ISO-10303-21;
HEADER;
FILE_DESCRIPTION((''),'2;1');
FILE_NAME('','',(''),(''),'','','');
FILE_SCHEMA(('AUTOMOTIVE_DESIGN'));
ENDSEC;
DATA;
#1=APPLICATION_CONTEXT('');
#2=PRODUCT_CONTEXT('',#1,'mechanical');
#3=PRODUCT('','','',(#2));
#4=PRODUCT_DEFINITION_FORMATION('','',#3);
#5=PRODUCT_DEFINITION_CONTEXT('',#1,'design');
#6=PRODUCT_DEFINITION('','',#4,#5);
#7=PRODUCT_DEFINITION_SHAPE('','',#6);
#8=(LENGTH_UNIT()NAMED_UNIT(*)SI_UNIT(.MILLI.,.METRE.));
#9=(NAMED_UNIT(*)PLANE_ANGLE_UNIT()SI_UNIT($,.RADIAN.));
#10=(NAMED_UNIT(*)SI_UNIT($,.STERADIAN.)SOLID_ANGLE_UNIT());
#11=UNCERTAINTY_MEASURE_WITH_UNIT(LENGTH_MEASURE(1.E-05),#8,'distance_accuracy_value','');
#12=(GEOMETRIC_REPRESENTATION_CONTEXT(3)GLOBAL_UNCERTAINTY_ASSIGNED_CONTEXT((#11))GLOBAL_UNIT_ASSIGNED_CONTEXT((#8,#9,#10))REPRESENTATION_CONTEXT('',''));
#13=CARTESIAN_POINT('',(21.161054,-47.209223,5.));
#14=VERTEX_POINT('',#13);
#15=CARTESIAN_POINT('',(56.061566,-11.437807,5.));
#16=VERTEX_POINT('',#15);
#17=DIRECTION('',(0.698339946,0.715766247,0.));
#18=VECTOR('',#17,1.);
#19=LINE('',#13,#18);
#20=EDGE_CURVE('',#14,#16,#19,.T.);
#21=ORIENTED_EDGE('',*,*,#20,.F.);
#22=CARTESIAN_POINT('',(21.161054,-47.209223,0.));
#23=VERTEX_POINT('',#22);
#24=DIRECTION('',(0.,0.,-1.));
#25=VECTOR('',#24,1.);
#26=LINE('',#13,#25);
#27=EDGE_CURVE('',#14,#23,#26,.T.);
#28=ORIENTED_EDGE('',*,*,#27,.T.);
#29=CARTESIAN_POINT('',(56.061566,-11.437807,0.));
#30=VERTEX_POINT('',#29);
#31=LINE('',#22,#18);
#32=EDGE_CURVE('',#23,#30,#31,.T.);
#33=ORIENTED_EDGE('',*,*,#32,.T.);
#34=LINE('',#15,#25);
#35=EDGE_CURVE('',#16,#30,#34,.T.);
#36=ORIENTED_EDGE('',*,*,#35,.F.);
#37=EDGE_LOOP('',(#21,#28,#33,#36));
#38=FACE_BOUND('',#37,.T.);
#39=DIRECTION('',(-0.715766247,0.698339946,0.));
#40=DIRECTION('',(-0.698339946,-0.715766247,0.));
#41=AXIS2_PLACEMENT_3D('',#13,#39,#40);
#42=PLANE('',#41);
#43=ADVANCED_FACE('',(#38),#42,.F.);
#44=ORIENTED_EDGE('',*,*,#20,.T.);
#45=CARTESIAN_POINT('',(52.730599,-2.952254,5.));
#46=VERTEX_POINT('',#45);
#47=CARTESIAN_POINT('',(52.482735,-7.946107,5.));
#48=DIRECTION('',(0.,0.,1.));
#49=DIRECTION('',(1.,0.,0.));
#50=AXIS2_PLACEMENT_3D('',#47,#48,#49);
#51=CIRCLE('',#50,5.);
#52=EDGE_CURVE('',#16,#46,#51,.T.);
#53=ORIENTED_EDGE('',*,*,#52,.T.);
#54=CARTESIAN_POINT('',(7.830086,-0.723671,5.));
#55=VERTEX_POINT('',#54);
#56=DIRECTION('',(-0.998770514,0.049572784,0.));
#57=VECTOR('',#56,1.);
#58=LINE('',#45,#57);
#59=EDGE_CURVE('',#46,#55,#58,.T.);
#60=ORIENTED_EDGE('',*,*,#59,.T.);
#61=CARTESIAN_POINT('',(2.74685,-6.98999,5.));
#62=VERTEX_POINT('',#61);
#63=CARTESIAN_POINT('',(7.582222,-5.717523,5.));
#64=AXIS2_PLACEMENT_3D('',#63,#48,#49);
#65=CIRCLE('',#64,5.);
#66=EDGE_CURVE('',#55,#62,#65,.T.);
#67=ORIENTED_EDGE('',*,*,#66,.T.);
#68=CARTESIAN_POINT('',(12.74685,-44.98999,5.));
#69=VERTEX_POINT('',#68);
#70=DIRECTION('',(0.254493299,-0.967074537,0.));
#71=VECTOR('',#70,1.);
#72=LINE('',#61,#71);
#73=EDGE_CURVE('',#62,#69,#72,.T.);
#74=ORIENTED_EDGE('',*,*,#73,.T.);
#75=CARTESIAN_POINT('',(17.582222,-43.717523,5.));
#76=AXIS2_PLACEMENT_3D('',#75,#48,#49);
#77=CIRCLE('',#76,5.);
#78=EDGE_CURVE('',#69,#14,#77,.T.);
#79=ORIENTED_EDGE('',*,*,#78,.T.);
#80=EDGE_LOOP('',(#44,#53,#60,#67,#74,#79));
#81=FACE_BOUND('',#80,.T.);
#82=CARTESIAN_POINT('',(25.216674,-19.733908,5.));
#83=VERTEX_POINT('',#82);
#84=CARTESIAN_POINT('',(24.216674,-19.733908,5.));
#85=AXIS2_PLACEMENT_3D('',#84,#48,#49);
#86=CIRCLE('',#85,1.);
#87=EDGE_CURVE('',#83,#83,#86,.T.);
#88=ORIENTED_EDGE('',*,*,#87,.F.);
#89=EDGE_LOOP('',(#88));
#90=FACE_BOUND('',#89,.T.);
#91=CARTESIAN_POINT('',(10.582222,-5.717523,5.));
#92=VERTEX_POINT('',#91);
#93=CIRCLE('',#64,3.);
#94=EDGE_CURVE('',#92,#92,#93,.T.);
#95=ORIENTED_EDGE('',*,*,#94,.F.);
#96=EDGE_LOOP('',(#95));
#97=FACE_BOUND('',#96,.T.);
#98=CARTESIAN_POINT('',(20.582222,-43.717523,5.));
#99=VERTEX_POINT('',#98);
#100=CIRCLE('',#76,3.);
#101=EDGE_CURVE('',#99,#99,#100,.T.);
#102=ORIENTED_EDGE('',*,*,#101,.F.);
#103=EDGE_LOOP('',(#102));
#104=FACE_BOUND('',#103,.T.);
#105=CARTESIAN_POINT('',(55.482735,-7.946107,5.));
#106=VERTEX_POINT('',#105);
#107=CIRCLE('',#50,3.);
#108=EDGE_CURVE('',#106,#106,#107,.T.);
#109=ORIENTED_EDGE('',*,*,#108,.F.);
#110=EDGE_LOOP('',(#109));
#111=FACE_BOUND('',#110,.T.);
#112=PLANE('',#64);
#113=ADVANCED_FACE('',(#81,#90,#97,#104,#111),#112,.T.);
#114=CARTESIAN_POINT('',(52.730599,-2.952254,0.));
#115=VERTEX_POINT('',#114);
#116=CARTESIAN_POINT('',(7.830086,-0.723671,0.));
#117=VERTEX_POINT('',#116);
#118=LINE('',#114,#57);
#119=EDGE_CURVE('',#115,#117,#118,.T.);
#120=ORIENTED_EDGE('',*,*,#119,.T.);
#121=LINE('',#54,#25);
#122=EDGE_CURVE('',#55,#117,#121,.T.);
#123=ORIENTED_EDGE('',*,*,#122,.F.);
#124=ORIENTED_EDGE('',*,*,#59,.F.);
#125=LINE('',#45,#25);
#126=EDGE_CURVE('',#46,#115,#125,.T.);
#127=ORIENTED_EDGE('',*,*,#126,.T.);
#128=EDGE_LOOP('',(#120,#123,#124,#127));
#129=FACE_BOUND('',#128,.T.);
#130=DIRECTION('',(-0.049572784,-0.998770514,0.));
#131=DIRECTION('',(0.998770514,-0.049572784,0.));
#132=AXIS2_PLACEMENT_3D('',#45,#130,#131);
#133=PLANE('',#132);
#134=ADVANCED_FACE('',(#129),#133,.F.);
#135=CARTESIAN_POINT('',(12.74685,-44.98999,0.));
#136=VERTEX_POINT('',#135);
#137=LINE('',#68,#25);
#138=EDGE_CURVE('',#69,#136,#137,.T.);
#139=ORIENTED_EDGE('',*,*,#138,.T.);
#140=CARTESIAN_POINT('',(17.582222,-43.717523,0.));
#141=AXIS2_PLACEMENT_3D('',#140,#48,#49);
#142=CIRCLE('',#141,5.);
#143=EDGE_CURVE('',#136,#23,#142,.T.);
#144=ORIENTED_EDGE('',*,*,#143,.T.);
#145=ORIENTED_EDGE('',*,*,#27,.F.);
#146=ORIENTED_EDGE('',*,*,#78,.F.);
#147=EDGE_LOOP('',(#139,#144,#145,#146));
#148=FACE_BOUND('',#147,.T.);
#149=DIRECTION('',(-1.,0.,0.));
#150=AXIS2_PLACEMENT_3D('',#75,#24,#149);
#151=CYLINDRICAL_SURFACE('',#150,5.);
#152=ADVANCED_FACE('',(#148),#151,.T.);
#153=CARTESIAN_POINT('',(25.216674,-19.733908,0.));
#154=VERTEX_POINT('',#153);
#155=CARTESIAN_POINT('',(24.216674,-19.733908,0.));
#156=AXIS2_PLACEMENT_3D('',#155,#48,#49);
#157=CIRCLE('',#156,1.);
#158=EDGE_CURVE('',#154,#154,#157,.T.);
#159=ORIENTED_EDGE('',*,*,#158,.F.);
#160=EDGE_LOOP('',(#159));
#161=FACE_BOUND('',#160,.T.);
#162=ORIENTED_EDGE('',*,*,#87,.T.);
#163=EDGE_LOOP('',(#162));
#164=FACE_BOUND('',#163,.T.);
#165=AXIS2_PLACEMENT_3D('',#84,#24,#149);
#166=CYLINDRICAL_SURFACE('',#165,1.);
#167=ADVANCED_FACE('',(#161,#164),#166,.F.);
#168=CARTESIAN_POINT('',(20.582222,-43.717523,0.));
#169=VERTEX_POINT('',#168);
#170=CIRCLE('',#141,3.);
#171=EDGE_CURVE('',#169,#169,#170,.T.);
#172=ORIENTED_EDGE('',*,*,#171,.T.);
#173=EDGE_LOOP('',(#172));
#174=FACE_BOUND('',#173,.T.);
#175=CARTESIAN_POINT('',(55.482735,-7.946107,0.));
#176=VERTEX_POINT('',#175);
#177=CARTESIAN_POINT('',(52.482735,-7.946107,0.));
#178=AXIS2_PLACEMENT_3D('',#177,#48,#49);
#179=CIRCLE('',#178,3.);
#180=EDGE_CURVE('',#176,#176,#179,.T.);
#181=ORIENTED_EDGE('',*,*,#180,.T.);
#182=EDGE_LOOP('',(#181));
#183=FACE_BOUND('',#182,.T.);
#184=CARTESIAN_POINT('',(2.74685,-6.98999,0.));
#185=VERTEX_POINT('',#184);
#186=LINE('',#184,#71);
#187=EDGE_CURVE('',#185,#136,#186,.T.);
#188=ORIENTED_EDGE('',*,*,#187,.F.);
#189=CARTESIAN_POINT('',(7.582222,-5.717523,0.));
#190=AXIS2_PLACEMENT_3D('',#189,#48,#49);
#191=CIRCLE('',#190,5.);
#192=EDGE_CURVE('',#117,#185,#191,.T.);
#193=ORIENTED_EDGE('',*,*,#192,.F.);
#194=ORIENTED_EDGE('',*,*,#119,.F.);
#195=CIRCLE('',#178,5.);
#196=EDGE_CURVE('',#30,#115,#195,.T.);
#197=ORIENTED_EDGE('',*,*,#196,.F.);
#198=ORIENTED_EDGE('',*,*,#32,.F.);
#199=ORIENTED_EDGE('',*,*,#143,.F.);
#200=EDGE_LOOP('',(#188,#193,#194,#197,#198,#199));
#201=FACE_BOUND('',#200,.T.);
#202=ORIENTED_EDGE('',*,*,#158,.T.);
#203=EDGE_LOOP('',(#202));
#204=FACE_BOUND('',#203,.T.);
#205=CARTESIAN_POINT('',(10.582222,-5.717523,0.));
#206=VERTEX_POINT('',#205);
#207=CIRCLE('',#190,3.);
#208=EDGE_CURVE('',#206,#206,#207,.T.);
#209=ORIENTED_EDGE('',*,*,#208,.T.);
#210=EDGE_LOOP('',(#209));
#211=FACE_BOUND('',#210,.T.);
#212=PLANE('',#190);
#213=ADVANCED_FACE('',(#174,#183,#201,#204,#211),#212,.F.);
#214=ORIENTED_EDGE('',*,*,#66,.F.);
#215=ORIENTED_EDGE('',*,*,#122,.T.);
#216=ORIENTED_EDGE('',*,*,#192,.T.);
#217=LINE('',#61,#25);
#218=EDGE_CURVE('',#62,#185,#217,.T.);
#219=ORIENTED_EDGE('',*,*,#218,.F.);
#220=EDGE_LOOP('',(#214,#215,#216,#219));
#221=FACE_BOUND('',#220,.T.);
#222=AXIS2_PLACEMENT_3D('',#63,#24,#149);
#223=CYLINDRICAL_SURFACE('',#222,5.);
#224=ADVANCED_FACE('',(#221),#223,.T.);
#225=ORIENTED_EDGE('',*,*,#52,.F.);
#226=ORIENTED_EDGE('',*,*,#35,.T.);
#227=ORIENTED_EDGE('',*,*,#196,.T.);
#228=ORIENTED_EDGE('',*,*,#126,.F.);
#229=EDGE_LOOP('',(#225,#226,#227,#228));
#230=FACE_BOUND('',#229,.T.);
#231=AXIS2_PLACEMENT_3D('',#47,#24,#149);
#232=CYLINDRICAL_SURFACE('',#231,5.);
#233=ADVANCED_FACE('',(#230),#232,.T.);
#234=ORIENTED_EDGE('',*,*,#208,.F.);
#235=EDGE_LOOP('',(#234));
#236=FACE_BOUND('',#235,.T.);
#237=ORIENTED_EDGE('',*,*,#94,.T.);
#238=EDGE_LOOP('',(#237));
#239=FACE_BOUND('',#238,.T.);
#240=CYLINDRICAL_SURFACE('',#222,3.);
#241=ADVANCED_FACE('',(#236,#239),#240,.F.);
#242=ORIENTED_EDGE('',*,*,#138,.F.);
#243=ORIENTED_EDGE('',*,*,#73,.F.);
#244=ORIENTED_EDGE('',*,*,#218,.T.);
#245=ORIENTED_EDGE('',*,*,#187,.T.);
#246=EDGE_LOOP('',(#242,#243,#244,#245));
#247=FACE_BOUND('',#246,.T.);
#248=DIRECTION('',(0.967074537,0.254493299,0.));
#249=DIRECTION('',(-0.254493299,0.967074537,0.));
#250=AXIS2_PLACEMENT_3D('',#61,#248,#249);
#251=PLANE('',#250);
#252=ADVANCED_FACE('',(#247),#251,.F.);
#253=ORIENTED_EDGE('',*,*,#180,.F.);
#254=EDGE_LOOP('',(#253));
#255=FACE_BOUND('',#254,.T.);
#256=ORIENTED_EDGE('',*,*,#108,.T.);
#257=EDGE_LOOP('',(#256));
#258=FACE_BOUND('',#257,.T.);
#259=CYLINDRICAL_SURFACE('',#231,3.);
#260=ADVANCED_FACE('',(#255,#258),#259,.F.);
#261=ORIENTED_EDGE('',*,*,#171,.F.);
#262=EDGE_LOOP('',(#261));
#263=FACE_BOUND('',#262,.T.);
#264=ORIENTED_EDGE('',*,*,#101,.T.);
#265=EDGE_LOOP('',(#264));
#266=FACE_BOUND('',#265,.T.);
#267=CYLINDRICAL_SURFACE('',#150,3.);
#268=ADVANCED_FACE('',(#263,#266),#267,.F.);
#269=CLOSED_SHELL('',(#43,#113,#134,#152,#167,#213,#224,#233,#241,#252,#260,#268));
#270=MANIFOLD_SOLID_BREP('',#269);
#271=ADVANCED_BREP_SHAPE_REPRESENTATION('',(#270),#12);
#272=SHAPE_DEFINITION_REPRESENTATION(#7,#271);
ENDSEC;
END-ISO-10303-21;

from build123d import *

# Parameters (mm, degrees)
ESQUISSE1_R      = 3
ESQUISSE1_R_2    = 1
EXTRUSION1_DEPTH = 5


with BuildPart() as part:
    # Esquisse1 → Extrusion1 (new body)
    with BuildSketch(Plane.XY):
        with BuildLine():
            Line((52.730599116, -2.952254244), (7.830086245, -0.723670796))
            ThreePointArc((7.830086245, -0.723670796), (3.699182558, -2.567602385), (2.746849637, -6.989989861))
            Line((2.746849637, -6.989989861), (12.746849637, -44.989989861))
            ThreePointArc((12.746849637, -44.989989861), (16.307085805, -48.552192625), (21.161053557, -47.209223095))
            Line((21.161053557, -47.209223095), (56.061566429, -11.437806542))
            ThreePointArc((56.061566429, -11.437806542), (57.136985769, -6.119100628), (52.730599116, -2.952254244))
        make_face()
        with Locations((7.582222324, -5.717523364)):
            Circle(ESQUISSE1_R, mode=Mode.SUBTRACT)
        with Locations((52.482735195, -7.946106812)):
            Circle(ESQUISSE1_R, mode=Mode.SUBTRACT)
        with Locations((17.582222324, -43.717523364)):
            Circle(ESQUISSE1_R, mode=Mode.SUBTRACT)
        with Locations((24.216673772, -19.733908354)):
            Circle(ESQUISSE1_R_2, mode=Mode.SUBTRACT)
    extrude(amount=EXTRUSION1_DEPTH)


solid = part.part
